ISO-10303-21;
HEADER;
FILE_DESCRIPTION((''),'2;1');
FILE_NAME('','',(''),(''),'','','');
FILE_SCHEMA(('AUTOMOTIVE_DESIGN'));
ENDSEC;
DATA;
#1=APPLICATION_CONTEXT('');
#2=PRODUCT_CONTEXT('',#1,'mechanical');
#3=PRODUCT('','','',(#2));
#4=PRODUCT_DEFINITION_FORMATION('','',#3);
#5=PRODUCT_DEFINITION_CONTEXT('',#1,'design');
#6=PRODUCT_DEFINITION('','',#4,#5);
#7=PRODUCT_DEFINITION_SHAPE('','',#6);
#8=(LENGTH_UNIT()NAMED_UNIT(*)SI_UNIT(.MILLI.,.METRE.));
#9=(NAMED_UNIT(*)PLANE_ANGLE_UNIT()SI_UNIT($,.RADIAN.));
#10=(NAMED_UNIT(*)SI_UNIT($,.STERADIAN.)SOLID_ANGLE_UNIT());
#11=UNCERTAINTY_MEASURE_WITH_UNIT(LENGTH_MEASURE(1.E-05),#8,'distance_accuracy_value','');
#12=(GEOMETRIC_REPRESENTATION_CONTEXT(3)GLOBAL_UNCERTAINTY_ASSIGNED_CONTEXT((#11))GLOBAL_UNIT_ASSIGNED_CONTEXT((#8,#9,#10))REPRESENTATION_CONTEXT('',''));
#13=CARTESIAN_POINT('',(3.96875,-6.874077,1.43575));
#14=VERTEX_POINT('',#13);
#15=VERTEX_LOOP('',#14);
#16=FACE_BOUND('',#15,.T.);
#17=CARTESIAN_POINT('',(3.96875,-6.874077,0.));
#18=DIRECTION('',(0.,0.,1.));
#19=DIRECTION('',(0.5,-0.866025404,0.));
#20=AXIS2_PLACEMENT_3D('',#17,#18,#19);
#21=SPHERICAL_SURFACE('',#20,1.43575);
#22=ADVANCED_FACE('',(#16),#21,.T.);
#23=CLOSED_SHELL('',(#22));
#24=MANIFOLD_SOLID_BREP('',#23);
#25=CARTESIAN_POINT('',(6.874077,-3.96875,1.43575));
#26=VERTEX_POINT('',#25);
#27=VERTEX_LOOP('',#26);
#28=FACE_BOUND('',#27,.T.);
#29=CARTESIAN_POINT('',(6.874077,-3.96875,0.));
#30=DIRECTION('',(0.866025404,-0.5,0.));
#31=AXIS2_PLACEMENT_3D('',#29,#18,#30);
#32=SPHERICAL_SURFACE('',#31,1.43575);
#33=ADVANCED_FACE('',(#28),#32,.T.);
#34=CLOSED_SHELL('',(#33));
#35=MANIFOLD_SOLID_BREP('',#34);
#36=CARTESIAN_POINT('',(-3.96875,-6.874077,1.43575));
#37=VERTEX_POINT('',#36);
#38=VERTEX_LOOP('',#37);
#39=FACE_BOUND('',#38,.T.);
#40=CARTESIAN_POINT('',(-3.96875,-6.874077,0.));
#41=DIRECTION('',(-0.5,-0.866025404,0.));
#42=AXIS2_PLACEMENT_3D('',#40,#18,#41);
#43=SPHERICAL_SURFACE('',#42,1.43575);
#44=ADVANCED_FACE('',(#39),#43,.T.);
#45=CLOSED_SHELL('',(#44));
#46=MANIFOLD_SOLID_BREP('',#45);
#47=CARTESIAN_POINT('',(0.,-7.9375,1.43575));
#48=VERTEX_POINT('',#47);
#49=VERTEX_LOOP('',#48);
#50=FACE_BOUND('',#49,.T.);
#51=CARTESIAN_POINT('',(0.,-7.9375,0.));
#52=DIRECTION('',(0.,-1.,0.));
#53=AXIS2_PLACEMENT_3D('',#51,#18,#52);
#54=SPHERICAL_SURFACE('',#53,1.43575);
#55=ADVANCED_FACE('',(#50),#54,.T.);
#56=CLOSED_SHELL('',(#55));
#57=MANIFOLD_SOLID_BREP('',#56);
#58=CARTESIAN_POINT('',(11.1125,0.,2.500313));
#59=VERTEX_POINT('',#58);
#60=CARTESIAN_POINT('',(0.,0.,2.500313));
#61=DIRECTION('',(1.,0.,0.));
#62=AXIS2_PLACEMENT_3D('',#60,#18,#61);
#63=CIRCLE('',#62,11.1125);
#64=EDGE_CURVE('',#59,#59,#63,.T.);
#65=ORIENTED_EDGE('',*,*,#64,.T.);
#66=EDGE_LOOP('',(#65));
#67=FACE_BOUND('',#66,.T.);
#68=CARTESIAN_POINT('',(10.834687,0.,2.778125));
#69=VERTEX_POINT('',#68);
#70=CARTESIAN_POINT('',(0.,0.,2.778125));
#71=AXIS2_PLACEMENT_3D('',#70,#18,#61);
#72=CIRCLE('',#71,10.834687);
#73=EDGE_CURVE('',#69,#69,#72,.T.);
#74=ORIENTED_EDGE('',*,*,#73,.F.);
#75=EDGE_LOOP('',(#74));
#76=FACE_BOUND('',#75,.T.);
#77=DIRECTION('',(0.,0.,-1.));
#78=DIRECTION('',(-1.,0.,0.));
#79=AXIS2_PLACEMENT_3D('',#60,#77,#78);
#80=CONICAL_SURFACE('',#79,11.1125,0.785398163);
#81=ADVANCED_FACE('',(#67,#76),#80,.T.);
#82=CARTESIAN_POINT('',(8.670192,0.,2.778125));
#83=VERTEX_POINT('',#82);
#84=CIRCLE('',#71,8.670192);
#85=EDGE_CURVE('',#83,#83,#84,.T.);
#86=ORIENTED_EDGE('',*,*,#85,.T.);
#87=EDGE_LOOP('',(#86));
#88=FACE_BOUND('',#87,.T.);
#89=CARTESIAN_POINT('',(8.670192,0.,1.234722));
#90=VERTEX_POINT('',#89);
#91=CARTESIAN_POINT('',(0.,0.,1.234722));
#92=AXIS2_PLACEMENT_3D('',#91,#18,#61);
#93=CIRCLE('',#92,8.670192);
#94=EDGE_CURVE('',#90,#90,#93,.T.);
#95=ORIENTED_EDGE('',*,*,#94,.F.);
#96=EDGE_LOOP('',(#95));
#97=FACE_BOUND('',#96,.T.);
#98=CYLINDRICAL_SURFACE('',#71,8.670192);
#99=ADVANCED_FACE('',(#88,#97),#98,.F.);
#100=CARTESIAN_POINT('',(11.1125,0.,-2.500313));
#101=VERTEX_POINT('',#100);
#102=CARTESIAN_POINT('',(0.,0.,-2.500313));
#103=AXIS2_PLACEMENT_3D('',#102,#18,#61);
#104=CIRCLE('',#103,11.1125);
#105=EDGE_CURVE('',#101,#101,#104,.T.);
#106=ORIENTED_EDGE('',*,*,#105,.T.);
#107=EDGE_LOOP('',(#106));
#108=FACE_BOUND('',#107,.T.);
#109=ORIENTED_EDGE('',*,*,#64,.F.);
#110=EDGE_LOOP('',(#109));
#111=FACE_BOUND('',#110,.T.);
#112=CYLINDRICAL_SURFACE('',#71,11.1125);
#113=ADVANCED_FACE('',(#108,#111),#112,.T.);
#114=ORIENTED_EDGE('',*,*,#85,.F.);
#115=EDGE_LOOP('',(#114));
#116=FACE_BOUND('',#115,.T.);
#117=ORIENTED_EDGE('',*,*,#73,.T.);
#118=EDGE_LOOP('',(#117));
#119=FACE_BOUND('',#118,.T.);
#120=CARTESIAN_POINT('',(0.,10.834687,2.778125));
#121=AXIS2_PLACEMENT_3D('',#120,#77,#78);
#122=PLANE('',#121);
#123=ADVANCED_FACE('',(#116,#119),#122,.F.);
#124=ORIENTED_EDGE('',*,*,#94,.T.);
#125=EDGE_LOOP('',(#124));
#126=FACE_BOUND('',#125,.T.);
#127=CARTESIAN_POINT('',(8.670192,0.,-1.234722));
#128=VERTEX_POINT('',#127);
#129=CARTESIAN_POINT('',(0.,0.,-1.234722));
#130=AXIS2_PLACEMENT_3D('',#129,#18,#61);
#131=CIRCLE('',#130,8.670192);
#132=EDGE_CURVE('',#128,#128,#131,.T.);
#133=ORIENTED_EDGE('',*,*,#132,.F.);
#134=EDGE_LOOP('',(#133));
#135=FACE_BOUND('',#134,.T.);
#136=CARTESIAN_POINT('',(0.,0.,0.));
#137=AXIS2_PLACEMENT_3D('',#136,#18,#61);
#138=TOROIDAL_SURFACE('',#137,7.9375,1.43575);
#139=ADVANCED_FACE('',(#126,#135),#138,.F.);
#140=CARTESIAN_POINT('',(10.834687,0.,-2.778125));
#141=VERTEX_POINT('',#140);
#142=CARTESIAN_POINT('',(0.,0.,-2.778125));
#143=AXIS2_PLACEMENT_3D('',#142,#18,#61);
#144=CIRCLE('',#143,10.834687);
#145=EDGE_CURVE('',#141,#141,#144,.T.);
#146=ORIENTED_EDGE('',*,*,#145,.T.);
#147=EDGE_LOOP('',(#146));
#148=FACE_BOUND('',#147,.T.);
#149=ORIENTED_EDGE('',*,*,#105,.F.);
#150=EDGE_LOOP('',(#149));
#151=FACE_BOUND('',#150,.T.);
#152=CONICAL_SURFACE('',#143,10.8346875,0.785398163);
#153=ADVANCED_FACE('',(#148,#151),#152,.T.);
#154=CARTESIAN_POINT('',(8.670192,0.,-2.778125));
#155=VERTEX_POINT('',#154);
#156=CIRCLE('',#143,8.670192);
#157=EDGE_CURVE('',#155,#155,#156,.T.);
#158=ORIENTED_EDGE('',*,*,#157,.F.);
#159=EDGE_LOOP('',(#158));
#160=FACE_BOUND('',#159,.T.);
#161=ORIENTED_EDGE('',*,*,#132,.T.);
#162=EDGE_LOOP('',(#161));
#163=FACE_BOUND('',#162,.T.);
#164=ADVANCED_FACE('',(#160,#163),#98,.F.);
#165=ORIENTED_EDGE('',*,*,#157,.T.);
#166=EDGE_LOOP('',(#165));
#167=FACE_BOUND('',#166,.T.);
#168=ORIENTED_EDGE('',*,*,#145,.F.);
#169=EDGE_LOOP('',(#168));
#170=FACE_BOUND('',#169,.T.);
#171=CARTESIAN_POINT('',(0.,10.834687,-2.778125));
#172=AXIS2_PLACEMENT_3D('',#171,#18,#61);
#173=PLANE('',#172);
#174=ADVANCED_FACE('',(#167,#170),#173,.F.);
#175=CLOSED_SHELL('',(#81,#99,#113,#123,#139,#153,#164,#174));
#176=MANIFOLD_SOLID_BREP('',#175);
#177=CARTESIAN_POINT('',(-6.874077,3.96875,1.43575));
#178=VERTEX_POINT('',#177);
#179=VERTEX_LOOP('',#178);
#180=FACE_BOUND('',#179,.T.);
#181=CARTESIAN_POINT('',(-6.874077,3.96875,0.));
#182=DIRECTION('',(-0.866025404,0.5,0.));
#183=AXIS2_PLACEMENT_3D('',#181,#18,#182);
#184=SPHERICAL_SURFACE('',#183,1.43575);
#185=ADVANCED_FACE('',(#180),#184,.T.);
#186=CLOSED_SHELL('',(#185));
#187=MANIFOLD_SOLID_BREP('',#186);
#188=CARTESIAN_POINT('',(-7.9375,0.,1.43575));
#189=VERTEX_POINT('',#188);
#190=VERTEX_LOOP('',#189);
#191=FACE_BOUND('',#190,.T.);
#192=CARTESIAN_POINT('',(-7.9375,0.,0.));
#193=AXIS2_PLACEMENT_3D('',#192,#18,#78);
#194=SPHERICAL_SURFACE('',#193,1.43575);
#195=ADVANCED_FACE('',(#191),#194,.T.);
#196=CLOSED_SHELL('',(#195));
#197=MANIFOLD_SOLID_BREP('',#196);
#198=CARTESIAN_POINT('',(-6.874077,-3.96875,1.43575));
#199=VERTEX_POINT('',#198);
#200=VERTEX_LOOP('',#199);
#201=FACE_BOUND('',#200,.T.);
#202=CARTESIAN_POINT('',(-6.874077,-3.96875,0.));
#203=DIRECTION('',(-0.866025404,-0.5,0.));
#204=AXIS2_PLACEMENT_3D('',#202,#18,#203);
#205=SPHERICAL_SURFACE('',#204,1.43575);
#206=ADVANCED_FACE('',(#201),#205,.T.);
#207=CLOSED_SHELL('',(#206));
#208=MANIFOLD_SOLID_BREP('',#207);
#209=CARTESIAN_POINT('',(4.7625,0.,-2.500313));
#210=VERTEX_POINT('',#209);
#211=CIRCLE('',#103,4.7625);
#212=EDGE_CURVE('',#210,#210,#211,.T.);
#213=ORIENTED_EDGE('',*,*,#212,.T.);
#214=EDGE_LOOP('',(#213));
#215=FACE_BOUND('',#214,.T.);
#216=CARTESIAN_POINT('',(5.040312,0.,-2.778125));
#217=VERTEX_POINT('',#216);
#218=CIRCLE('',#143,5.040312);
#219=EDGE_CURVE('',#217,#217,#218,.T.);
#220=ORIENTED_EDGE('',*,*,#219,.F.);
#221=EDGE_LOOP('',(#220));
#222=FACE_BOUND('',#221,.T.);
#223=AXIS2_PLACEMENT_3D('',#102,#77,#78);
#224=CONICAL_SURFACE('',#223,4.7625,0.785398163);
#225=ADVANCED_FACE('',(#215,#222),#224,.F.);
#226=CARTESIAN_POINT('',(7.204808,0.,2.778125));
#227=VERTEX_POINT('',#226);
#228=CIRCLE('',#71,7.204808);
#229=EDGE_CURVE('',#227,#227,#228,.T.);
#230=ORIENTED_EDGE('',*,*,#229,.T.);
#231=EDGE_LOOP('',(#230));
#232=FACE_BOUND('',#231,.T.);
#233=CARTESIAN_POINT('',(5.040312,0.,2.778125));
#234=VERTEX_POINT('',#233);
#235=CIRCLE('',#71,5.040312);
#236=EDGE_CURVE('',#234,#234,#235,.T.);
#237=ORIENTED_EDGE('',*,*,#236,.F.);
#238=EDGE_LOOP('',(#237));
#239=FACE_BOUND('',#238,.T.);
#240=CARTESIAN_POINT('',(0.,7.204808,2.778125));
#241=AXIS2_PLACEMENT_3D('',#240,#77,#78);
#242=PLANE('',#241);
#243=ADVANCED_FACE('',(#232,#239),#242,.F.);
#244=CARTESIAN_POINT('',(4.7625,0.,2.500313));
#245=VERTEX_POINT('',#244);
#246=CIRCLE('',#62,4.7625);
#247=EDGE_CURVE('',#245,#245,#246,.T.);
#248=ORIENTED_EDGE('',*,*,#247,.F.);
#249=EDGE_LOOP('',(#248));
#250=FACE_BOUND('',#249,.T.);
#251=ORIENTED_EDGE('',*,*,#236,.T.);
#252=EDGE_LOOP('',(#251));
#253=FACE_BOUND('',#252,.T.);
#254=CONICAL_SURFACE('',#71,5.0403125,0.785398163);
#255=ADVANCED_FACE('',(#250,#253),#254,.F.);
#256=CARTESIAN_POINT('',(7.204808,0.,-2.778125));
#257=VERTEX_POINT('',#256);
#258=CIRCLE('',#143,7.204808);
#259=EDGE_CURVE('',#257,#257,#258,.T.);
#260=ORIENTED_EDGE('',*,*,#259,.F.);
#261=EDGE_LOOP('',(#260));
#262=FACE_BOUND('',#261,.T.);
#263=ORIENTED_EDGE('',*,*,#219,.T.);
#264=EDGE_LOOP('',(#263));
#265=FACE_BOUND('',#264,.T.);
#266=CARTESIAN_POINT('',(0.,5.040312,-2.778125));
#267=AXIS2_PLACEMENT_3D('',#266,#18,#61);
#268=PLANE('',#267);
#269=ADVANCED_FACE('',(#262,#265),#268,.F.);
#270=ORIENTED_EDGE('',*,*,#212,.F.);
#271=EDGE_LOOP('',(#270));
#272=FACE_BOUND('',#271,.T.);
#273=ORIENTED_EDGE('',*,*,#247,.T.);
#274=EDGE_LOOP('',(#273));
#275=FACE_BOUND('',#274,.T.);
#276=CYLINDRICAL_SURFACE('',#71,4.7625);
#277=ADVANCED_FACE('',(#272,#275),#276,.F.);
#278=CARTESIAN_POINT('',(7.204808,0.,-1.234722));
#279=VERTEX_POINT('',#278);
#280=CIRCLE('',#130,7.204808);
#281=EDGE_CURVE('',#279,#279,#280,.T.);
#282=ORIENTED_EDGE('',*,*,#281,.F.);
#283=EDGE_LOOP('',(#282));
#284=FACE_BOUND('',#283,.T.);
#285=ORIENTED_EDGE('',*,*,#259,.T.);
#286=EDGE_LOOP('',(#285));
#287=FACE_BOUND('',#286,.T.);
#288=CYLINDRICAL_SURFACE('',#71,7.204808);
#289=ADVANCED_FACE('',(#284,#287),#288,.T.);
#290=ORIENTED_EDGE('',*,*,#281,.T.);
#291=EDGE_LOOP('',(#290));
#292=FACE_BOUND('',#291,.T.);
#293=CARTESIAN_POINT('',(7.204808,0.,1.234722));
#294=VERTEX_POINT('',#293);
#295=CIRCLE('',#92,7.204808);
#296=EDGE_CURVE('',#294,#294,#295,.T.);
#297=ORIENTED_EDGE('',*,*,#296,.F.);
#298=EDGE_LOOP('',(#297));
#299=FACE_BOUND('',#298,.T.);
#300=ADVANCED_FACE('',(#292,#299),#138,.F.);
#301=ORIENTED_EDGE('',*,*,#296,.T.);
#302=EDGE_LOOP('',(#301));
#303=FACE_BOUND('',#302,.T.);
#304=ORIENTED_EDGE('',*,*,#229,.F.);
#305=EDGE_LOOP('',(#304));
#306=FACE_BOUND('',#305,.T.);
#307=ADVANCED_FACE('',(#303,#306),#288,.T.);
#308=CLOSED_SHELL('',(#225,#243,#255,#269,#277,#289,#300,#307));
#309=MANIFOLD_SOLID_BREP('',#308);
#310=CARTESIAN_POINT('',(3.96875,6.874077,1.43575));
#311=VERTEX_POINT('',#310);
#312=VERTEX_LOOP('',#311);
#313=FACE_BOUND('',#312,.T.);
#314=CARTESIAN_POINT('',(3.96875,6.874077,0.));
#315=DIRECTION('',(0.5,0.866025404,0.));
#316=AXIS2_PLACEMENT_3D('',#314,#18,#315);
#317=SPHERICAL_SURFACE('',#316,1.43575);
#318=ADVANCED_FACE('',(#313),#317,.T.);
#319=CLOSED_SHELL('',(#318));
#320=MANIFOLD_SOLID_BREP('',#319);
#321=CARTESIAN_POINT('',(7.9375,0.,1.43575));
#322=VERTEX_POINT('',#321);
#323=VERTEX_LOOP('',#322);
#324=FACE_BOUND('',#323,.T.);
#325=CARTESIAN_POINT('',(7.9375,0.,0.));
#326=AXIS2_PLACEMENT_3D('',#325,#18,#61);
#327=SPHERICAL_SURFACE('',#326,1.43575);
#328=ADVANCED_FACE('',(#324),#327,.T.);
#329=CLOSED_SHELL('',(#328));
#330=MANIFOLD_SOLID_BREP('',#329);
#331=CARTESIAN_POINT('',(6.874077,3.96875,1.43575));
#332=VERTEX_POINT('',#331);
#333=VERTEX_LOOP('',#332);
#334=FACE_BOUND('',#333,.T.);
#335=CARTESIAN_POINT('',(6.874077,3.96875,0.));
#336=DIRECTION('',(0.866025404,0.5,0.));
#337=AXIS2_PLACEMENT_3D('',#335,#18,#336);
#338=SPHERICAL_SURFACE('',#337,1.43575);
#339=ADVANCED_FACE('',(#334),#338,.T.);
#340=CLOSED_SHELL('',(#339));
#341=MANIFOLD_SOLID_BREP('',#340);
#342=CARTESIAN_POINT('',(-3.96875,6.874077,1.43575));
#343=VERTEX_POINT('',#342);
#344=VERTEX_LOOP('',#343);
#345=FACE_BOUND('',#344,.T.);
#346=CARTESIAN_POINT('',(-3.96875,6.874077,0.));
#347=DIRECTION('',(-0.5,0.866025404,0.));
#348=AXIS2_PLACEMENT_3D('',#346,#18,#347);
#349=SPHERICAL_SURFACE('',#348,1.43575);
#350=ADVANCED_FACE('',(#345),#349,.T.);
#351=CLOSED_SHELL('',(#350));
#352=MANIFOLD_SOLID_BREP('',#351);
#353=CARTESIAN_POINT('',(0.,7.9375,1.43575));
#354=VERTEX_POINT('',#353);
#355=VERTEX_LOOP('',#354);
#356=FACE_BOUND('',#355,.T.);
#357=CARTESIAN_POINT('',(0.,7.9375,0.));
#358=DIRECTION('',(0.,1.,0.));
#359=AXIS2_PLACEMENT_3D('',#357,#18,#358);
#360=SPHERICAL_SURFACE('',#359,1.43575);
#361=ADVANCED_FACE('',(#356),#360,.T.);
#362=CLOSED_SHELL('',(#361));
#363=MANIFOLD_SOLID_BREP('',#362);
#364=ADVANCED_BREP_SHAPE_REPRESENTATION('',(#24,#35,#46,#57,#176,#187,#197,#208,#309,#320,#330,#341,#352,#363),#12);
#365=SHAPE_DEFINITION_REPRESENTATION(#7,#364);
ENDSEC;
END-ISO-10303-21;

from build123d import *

# Parameters (mm, degrees)
CIRPATTERN1_COUNT = 12


with BuildPart() as part:
    # Sketch1 → Revolve1 (revolve)
    with BuildSketch(Plane(origin=(0, 0, 0), x_dir=(0, 0, -1), z_dir=(1, 0, 0))):
        with BuildLine():
            Line((2.5003125, 11.1125), (-2.5003125, 11.1125))
            Line((-2.5003125, 11.1125), (-2.778125, 10.8346875))
            Line((-2.778125, 10.8346875), (-2.778125, 8.670192308))
            Line((-2.778125, 8.670192308), (-1.234722222, 8.670192308))
            ThreePointArc((-1.234722222, 8.670192308), (0, 9.373249624), (1.234722222, 8.670192308))
            Line((1.234722222, 8.670192308), (2.778125, 8.670192308))
            Line((2.778125, 8.670192308), (2.778125, 10.8346875))
            Line((2.778125, 10.8346875), (2.5003125, 11.1125))
        make_face()
    revolve(axis=Axis((0, 0, 2.778125), (0, 0, -1)))


with BuildPart() as body_2:
    # Sketch3 → Revolve3 (revolve)
    with BuildSketch(Plane(origin=(0, 0, 0), x_dir=(0, 0, -1), z_dir=(1, 0, 0))):
        with BuildLine():
            Line((-2.778125, 7.204807692), (-1.234722222, 7.204807692))
            ThreePointArc((-1.234722222, 7.204807692), (0, 6.501750376), (1.234722222, 7.204807692))
            Line((1.234722222, 7.204807692), (2.778125, 7.204807692))
            Line((2.778125, 7.204807692), (2.778125, 5.0403125))
            Line((2.778125, 5.0403125), (2.5003125, 4.7625))
            Line((2.5003125, 4.7625), (-2.5003125, 4.7625))
            Line((-2.5003125, 4.7625), (-2.778125, 5.0403125))
            Line((-2.778125, 5.0403125), (-2.778125, 7.204807692))
        make_face()
    revolve(axis=Axis((0, 0, 2.778125), (0, 0, -1)))


with BuildPart() as body_3:
    # Sketch4 → Revolve4 (revolve)
    with BuildSketch(Plane(origin=(0, 0, 0), x_dir=(0, 0, -1), z_dir=(1, 0, 0))):
        with BuildLine():
            Line((-1.435749624, 7.9375), (1.435749624, 7.9375))
            ThreePointArc((1.435749624, 7.9375), (0, 9.373249624), (-1.435749624, 7.9375))
        make_face()
    revolve(axis=Axis((0, 7.9375, 1.435749624), (0, 0, -1)))


with BuildPart() as cirpattern1_1:
    # CirPattern1: pattern copy
    add(body_3.part.rotate(Axis((0, 0, -2.778125), (0, 0, 1)), 1 * 360 / CIRPATTERN1_COUNT))


with BuildPart() as cirpattern1_2:
    # CirPattern1: pattern copy
    add(body_3.part.rotate(Axis((0, 0, -2.778125), (0, 0, 1)), 2 * 360 / CIRPATTERN1_COUNT))


with BuildPart() as cirpattern1_3:
    # CirPattern1: pattern copy
    add(body_3.part.rotate(Axis((0, 0, -2.778125), (0, 0, 1)), 3 * 360 / CIRPATTERN1_COUNT))


with BuildPart() as cirpattern1_4:
    # CirPattern1: pattern copy
    add(body_3.part.rotate(Axis((0, 0, -2.778125), (0, 0, 1)), 4 * 360 / CIRPATTERN1_COUNT))


with BuildPart() as cirpattern1_5:
    # CirPattern1: pattern copy
    add(body_3.part.rotate(Axis((0, 0, -2.778125), (0, 0, 1)), 5 * 360 / CIRPATTERN1_COUNT))


with BuildPart() as cirpattern1_6:
    # CirPattern1: pattern copy
    add(body_3.part.rotate(Axis((0, 0, -2.778125), (0, 0, 1)), 6 * 360 / CIRPATTERN1_COUNT))


with BuildPart() as cirpattern1_7:
    # CirPattern1: pattern copy
    add(body_3.part.rotate(Axis((0, 0, -2.778125), (0, 0, 1)), 7 * 360 / CIRPATTERN1_COUNT))


with BuildPart() as cirpattern1_8:
    # CirPattern1: pattern copy
    add(body_3.part.rotate(Axis((0, 0, -2.778125), (0, 0, 1)), 8 * 360 / CIRPATTERN1_COUNT))


with BuildPart() as cirpattern1_9:
    # CirPattern1: pattern copy
    add(body_3.part.rotate(Axis((0, 0, -2.778125), (0, 0, 1)), 9 * 360 / CIRPATTERN1_COUNT))


with BuildPart() as cirpattern1_10:
    # CirPattern1: pattern copy
    add(body_3.part.rotate(Axis((0, 0, -2.778125), (0, 0, 1)), 10 * 360 / CIRPATTERN1_COUNT))


with BuildPart() as cirpattern1_11:
    # CirPattern1: pattern copy
    add(body_3.part.rotate(Axis((0, 0, -2.778125), (0, 0, 1)), 11 * 360 / CIRPATTERN1_COUNT))


solid = Compound([part.part, body_2.part, body_3.part, cirpattern1_1.part, cirpattern1_2.part, cirpattern1_3.part, cirpattern1_4.part, cirpattern1_5.part, cirpattern1_6.part, cirpattern1_7.part, cirpattern1_8.part, cirpattern1_9.part, cirpattern1_10.part, cirpattern1_11.part])
